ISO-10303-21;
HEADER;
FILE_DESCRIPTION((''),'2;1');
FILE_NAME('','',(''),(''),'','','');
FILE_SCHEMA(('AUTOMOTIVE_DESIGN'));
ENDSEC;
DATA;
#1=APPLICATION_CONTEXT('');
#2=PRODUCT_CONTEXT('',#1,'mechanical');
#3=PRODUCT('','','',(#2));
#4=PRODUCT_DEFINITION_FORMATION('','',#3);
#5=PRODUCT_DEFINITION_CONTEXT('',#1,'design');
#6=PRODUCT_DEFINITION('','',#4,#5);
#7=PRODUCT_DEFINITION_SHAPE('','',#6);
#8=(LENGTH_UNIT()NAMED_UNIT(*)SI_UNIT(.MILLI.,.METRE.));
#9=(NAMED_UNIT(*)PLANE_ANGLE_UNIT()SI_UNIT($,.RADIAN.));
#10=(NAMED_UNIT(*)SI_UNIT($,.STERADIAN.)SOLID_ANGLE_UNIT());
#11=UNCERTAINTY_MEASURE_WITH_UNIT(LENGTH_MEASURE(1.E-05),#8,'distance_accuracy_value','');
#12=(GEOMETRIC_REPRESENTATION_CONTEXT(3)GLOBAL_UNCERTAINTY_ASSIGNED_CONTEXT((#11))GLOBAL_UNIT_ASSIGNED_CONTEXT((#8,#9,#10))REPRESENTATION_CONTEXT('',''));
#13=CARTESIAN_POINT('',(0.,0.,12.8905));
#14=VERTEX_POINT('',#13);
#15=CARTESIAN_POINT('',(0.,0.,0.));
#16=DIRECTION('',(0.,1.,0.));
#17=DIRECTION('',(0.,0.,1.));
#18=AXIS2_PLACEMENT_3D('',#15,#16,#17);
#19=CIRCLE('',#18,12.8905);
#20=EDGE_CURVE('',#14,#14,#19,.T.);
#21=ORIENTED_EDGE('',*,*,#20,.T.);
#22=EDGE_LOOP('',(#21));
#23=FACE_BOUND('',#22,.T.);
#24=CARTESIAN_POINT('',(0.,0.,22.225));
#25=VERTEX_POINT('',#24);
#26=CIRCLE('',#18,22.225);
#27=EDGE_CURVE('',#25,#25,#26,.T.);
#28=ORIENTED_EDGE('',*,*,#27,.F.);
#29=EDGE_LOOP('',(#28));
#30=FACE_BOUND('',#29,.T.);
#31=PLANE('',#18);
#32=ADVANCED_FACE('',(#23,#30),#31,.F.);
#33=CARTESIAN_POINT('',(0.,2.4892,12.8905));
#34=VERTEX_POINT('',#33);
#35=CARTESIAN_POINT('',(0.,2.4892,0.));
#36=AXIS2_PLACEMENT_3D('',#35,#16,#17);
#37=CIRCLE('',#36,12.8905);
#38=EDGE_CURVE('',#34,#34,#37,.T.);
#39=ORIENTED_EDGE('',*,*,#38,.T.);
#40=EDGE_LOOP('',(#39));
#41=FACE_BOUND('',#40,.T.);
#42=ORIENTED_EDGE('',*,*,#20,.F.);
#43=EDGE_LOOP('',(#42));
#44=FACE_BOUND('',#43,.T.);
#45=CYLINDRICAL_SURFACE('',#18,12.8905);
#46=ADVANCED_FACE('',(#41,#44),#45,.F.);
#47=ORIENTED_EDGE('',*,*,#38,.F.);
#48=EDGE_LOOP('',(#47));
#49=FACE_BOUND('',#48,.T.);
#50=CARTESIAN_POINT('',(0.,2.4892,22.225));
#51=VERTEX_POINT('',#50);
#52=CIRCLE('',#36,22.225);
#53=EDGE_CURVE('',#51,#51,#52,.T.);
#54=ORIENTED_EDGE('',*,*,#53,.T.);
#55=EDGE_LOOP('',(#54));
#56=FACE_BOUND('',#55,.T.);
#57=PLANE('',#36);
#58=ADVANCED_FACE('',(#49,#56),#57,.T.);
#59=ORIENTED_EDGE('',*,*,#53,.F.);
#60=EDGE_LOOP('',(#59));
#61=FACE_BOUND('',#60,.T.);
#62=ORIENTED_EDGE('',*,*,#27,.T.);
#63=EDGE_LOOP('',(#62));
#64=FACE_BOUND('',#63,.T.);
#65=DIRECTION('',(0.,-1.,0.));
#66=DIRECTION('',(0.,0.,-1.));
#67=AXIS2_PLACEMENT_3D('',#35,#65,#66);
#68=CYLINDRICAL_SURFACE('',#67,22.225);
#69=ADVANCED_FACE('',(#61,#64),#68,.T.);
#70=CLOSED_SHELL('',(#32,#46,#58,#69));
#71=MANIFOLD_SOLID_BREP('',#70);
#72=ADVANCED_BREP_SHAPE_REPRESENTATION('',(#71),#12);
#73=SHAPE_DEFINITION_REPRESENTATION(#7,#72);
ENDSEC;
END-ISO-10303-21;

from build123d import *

# Parameters (mm, degrees)
SKETCH1_R           = 22.225
BOSS_EXTRUDE1_DEPTH = 2.4892
SKETCH5_R           = 12.8905
CUT_EXTRUDE1_DEPTH  = 3.4892


with BuildPart() as part:
    # Sketch1 → Boss-Extrude1 (new body)
    with BuildSketch(Plane(origin=(0, 0, 0), x_dir=(1, 0, 0), z_dir=(0, 1, 0))):
        Circle(SKETCH1_R)
    extrude(amount=BOSS_EXTRUDE1_DEPTH)

    # Sketch5 → Cut-Extrude1 (cut, through all)
    with BuildSketch(Plane(origin=(0, 2.4892, 0), x_dir=(-1, 0, 0), z_dir=(0, 1, 0))):
        Circle(SKETCH5_R)
    extrude(amount=-CUT_EXTRUDE1_DEPTH, mode=Mode.SUBTRACT)


solid = part.part
